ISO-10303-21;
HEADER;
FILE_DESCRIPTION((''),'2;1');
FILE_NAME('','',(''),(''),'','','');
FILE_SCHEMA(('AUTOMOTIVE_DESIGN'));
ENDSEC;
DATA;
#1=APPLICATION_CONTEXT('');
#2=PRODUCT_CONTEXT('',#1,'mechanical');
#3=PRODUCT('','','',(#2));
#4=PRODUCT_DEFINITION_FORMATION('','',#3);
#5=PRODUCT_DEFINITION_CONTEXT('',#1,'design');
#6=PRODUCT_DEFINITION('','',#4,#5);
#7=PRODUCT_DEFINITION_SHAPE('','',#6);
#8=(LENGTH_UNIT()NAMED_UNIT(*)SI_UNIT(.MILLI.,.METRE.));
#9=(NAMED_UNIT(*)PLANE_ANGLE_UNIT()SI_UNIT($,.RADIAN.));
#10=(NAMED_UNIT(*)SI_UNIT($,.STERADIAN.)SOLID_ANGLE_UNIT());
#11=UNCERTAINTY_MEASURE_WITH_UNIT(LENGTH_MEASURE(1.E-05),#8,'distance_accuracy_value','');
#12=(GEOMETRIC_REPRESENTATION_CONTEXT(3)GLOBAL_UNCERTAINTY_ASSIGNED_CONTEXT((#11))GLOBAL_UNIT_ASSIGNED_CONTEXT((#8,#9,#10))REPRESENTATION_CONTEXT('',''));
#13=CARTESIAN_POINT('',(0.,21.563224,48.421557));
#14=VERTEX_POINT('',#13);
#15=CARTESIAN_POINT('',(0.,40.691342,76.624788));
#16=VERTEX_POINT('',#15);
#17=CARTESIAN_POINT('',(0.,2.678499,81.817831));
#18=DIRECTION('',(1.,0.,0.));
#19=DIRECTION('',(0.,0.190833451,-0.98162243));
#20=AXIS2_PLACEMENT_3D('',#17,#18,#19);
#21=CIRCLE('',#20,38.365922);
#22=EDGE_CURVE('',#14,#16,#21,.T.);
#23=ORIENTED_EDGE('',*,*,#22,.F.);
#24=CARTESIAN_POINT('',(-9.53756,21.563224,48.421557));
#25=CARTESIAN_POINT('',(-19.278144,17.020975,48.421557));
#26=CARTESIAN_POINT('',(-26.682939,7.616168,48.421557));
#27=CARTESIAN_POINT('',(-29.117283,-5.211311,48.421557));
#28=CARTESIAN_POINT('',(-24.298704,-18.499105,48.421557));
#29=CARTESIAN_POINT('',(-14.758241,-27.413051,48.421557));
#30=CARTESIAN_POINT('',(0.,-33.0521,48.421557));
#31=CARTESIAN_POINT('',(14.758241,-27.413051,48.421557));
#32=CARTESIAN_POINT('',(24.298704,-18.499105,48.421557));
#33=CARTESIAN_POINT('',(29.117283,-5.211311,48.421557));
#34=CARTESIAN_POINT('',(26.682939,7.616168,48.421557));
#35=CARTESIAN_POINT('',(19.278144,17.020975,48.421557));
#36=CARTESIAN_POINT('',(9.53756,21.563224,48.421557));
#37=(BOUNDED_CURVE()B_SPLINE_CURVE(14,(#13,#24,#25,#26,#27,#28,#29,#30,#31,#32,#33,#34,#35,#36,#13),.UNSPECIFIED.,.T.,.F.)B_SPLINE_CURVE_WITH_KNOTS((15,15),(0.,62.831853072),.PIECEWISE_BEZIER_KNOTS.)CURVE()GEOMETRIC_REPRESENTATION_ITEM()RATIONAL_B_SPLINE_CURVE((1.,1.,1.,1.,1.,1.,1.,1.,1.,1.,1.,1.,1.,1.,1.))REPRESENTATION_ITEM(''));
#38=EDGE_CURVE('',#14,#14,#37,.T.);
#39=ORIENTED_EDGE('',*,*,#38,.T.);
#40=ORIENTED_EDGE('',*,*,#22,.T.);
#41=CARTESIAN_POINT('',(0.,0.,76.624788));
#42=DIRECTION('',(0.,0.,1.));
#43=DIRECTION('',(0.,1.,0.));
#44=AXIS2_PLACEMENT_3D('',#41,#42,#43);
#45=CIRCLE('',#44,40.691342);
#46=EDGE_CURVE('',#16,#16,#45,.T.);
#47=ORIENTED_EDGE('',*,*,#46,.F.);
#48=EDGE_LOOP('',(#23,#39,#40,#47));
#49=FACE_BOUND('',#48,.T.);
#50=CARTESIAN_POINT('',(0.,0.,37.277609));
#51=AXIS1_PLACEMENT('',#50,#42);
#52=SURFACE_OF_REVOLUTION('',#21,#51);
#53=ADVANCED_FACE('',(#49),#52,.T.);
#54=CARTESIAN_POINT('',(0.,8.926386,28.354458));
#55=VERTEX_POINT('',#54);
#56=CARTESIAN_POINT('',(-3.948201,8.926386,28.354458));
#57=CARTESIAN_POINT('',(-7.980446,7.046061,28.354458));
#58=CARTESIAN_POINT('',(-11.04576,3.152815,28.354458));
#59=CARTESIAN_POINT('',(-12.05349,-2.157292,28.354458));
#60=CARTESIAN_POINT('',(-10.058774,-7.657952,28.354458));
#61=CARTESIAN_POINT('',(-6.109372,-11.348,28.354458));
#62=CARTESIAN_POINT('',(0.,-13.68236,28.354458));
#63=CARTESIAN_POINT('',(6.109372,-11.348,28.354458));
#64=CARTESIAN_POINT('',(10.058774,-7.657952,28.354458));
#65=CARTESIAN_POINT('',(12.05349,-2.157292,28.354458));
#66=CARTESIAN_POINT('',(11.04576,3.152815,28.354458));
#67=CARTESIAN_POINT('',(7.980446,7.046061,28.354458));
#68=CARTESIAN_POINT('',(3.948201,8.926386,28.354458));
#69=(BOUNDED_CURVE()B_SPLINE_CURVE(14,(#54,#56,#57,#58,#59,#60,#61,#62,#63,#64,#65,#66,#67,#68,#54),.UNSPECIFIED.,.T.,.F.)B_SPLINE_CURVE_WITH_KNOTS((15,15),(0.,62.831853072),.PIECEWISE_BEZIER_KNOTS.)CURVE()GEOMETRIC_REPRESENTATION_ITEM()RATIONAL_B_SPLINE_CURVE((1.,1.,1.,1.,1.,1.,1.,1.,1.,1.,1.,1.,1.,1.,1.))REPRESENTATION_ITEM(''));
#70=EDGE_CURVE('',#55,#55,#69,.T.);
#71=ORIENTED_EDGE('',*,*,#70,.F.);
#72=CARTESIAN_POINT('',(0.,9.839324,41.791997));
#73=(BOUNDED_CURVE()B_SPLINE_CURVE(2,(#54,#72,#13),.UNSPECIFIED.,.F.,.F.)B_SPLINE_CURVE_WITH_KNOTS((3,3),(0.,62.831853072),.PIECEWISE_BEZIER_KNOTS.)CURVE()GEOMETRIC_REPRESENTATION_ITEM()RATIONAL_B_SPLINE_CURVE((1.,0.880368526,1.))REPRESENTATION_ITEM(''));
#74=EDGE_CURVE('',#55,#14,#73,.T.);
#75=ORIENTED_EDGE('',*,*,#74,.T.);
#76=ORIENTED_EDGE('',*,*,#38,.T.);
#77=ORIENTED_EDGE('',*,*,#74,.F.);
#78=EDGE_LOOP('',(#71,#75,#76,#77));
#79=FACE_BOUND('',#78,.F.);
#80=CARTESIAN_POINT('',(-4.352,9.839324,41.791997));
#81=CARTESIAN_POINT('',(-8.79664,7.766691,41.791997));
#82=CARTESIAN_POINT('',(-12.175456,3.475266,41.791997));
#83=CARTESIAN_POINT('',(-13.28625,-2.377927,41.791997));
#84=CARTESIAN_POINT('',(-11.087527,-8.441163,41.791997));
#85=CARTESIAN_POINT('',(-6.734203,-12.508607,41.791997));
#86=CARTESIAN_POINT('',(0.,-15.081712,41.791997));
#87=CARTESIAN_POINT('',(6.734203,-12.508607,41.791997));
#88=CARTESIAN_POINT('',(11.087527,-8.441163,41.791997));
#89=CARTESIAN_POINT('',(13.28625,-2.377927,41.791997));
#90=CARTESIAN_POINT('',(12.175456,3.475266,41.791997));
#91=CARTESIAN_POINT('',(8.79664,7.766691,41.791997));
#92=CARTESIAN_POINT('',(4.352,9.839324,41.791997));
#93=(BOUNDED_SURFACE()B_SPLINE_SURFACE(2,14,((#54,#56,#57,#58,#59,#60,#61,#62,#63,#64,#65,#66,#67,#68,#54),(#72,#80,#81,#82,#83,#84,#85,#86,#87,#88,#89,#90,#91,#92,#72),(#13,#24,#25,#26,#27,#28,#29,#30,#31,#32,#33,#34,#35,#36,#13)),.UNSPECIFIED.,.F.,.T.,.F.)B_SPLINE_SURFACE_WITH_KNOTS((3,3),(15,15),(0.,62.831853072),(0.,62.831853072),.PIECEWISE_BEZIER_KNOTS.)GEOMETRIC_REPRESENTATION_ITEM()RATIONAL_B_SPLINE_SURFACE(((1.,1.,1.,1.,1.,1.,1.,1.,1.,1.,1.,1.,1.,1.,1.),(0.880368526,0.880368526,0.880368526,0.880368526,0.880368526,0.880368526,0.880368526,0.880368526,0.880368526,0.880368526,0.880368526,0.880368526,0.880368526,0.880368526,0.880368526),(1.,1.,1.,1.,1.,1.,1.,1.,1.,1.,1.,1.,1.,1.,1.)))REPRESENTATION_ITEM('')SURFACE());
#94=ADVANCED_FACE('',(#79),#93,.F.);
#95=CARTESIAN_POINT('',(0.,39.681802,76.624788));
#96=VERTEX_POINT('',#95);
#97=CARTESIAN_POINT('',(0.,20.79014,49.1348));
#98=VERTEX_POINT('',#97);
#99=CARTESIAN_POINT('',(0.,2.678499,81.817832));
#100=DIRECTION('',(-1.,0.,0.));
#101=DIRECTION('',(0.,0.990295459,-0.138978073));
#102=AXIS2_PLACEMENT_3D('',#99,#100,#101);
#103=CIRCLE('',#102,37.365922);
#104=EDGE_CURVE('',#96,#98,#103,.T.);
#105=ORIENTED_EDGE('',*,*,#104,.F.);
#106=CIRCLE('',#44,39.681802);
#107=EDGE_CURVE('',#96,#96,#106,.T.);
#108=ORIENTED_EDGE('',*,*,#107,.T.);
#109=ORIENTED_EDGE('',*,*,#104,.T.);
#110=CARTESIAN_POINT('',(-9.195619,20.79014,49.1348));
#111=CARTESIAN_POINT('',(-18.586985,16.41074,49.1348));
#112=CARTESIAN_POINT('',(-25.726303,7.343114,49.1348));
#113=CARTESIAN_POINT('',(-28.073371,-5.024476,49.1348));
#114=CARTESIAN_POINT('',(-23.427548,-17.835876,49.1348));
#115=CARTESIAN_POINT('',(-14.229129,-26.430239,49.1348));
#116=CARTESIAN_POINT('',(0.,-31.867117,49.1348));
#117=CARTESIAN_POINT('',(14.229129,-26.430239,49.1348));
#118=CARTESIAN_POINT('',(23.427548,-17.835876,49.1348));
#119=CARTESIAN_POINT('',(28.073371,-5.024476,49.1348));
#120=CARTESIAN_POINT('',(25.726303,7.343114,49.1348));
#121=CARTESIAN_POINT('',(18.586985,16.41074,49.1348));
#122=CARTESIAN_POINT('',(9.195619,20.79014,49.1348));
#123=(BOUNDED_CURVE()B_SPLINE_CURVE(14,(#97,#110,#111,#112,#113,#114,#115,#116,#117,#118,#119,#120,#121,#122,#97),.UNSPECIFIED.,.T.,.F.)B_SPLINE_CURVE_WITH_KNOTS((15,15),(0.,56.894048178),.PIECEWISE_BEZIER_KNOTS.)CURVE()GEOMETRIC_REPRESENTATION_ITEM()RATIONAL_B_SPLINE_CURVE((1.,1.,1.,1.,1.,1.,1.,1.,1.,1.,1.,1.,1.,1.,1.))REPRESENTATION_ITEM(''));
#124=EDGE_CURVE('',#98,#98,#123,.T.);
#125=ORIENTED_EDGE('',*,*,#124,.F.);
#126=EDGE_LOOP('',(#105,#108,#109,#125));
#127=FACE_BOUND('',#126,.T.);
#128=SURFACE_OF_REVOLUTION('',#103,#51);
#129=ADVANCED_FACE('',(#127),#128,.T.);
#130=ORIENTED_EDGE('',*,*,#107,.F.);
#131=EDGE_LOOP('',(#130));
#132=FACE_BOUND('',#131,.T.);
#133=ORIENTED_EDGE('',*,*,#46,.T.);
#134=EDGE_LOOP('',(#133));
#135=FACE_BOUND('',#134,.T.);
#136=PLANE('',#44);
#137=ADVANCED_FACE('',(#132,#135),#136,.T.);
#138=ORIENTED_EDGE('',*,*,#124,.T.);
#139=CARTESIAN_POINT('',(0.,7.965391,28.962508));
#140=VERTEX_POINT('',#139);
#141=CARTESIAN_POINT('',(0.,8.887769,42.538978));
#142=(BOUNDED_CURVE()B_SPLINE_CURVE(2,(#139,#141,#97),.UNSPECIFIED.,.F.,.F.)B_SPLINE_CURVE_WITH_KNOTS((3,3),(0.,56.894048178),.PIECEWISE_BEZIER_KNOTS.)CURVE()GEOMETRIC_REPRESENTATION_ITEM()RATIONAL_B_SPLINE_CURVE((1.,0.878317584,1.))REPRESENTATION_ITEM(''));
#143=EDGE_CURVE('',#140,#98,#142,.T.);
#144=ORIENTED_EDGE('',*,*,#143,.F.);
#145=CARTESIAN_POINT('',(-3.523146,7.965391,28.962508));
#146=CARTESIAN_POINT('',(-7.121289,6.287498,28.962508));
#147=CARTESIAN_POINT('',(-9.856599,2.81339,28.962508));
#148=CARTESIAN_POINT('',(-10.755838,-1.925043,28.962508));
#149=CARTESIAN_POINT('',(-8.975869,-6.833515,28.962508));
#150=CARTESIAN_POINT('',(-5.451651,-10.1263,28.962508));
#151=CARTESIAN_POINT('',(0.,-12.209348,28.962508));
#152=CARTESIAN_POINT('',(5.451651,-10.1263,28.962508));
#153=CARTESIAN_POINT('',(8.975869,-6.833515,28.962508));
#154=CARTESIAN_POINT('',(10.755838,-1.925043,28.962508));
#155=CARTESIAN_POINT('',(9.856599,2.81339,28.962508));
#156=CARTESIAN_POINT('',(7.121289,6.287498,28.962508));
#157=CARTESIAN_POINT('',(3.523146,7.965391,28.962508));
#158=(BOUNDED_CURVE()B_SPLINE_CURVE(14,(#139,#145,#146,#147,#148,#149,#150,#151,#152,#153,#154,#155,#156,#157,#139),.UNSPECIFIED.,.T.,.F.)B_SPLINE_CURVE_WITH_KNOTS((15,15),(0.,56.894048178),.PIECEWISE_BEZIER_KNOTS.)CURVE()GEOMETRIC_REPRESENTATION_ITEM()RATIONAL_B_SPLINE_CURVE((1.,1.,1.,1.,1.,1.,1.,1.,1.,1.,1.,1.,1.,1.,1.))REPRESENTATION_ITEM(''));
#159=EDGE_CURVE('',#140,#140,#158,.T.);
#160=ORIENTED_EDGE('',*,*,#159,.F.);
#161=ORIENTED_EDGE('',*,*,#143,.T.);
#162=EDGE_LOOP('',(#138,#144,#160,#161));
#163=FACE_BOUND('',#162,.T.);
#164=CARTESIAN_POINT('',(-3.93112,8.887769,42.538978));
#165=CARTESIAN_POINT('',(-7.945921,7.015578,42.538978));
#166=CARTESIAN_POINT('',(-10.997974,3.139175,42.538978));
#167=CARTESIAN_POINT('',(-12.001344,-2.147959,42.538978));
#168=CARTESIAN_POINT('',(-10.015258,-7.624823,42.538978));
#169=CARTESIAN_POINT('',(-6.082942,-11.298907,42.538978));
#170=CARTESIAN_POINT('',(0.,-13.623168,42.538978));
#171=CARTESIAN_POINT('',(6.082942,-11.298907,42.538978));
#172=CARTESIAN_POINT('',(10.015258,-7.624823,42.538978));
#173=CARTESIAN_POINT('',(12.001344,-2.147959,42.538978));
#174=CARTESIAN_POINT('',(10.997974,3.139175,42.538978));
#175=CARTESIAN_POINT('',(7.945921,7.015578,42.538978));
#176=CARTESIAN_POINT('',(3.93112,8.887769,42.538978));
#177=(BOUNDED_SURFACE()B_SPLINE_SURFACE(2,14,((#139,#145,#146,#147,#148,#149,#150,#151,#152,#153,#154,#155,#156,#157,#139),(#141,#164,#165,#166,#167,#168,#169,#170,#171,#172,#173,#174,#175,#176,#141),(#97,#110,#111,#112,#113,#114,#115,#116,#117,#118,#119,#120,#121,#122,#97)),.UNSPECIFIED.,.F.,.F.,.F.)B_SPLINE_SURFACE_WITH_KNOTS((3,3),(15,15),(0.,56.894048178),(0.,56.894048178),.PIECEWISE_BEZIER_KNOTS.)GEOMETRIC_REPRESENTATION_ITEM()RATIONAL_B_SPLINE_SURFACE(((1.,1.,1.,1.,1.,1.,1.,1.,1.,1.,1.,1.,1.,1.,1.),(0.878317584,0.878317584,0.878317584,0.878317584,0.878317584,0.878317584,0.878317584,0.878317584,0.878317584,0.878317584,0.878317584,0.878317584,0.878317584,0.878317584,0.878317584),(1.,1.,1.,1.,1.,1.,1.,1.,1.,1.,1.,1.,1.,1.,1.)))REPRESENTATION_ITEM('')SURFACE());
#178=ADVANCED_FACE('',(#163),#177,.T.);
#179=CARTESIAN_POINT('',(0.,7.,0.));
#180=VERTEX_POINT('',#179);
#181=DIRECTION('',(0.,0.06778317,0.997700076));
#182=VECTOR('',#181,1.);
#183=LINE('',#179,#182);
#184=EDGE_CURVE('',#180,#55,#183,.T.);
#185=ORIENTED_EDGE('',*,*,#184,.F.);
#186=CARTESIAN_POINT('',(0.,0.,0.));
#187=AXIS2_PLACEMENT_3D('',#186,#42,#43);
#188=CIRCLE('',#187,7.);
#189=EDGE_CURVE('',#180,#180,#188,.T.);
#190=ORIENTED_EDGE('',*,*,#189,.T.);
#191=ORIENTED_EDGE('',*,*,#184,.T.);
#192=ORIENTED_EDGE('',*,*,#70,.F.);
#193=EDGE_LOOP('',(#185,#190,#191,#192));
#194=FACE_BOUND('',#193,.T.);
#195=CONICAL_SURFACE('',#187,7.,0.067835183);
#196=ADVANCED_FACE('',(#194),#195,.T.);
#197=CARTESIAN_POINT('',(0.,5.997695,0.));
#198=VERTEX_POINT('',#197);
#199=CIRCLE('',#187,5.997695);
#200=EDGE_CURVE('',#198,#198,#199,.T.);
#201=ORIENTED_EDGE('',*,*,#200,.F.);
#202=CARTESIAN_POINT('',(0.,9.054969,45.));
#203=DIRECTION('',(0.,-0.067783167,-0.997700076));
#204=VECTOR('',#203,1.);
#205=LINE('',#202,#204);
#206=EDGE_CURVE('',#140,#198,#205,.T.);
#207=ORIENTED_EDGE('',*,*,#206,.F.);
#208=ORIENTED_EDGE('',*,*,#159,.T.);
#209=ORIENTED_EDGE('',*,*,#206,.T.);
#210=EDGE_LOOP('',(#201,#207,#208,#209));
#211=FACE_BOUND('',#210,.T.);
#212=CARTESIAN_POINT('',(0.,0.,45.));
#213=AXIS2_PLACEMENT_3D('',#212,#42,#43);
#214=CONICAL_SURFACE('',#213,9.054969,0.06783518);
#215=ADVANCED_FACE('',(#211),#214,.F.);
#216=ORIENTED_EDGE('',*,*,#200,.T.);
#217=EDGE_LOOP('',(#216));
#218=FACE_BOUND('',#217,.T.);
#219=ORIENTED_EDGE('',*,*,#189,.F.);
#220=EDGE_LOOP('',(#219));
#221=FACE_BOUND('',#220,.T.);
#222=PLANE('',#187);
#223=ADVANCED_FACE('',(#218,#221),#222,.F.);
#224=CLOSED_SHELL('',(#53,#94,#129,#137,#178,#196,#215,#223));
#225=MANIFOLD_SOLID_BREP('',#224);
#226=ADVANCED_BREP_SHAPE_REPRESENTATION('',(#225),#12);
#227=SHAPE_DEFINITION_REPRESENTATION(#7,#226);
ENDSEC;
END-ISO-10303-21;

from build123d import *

# Parameters (mm, degrees)
F2_R = 25


with BuildPart() as f1:
    # F0 (on Right) → F1 (revolve)
    with BuildSketch(Plane.YZ):
        with BuildLine():
            Line((9.054969, 45), (5.997695, 0))
            Line((5.997695, 0), (7, 0))
            Line((7, 0), (10, 44.156982))
            ThreePointArc((10, 44.156982), (30.559322, 55.462497), (40.691342, 76.624788))
            Line((40.691342, 76.624788), (39.681802, 76.624788))
            ThreePointArc((39.681802, 76.624788), (29.520313, 55.823041), (9.054969, 45))
        make_face()
    revolve(axis=Axis((0, 0, 37.277609), (0, 0, 1)))

    # F2
    f2_edges = [f1.edges().sort_by_distance(p)[0] for p in [
        (0, -10, 44.156982),
        (0, -9.054969, 45),
    ]]
    fillet(f2_edges, radius=F2_R)


solid = f1.part
